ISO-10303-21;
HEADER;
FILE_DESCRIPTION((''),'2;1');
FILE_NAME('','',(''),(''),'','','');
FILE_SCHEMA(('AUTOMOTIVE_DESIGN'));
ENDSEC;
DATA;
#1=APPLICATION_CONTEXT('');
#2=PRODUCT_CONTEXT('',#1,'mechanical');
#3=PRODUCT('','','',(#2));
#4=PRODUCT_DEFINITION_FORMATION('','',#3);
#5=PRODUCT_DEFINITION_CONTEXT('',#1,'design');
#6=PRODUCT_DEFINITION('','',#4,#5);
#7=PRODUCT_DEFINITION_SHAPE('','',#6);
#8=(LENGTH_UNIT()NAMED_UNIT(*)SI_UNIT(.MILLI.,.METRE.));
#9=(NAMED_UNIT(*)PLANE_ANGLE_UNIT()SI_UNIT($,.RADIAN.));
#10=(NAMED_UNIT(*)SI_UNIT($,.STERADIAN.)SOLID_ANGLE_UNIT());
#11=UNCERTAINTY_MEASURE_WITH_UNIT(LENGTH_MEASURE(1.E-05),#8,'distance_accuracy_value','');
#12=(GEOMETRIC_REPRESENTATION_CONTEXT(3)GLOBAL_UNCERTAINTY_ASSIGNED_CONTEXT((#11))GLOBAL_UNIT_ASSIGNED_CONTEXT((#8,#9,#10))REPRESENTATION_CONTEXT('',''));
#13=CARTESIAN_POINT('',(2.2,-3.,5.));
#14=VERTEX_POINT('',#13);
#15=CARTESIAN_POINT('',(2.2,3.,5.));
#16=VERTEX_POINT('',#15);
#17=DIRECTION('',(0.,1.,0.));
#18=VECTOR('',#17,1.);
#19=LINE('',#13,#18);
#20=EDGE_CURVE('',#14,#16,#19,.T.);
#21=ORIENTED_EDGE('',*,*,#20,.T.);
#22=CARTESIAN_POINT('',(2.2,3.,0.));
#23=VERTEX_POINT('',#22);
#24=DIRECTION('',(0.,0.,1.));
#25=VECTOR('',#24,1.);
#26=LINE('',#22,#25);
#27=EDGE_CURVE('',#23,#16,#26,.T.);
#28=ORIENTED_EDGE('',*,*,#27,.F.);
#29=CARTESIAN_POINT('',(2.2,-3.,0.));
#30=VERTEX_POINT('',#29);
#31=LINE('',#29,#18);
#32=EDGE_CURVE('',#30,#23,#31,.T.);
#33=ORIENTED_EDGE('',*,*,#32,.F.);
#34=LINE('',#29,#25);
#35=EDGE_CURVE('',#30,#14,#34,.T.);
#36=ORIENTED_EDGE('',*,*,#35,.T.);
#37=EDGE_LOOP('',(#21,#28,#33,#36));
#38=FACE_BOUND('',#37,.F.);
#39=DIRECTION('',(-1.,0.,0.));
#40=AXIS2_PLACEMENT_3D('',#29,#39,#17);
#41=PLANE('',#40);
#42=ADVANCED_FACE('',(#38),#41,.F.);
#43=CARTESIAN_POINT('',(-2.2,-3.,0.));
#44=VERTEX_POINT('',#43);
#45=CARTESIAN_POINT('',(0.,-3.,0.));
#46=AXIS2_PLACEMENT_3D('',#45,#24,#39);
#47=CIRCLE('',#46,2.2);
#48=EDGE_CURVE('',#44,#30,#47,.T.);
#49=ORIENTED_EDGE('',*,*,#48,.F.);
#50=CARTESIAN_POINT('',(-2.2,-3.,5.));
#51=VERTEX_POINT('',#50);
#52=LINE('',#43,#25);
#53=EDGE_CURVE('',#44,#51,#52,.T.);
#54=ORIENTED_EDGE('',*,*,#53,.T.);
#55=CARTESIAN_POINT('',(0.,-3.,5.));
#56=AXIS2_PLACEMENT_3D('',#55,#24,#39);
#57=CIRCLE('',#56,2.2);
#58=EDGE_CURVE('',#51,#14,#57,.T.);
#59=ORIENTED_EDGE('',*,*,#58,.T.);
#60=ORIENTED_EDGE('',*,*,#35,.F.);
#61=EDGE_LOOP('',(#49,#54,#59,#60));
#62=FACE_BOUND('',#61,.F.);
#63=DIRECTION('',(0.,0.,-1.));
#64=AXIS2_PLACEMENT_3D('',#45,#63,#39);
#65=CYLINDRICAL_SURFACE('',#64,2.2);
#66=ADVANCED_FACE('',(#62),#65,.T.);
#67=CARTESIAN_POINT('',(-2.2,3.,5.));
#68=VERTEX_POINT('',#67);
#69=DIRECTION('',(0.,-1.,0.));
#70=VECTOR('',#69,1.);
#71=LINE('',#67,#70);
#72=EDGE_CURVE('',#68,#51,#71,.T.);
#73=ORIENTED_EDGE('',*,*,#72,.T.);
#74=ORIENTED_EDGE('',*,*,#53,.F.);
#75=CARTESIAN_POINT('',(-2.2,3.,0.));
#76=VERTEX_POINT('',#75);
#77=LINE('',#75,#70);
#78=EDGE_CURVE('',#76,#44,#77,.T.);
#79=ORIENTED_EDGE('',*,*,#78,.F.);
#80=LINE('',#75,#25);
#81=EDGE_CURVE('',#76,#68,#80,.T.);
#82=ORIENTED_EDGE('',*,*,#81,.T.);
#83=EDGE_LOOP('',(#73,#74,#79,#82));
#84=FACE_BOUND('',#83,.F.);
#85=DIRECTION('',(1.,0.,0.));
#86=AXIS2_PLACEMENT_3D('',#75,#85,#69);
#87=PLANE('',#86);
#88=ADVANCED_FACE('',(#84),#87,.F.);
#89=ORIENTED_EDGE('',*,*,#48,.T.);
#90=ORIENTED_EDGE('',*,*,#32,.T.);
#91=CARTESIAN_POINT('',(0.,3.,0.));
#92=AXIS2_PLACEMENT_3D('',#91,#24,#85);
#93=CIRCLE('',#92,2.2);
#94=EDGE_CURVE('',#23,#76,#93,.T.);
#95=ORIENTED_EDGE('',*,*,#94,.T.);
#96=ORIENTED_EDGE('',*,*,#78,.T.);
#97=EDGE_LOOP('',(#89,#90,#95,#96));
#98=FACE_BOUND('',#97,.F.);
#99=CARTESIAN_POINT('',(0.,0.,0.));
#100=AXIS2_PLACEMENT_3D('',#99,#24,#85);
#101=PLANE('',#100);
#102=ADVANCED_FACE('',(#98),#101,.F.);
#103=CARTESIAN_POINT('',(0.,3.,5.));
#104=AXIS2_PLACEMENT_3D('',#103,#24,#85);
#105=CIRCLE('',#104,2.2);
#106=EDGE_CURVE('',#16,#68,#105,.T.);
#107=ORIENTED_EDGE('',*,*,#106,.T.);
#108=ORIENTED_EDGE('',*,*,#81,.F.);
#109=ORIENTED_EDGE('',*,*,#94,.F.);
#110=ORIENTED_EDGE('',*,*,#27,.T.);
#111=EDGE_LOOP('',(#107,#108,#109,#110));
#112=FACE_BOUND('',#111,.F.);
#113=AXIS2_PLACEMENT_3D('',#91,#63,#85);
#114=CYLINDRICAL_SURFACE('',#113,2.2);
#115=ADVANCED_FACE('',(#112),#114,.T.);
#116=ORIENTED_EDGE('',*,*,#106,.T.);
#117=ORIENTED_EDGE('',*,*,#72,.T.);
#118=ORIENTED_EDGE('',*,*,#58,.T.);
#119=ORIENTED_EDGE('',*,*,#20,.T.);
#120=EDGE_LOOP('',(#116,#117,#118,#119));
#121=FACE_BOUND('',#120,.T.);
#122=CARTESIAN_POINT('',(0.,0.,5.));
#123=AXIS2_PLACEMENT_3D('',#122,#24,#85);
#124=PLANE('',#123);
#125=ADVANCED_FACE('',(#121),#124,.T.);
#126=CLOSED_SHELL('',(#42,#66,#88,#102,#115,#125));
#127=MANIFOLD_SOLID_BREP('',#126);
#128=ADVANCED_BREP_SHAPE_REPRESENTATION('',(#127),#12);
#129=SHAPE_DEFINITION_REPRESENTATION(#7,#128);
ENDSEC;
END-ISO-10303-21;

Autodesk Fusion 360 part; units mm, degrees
sketch "Sketch1" plane through (0, 0, 0) normal (0, 0, 1) x (1, 0, 0)
  line L0 (2.2, -3) -> (2.2, 3)
  arc A0 (2.2, 3) -> (-2.2, 3) centre (0, 3) ccw
  line L1 (-2.2, 3) -> (-2.2, -3)
  arc A1 (-2.2, -3) -> (2.2, -3) centre (0, -3) ccw
extrude "Extrude1" add sketch "Sketch1" along normal blind 5
